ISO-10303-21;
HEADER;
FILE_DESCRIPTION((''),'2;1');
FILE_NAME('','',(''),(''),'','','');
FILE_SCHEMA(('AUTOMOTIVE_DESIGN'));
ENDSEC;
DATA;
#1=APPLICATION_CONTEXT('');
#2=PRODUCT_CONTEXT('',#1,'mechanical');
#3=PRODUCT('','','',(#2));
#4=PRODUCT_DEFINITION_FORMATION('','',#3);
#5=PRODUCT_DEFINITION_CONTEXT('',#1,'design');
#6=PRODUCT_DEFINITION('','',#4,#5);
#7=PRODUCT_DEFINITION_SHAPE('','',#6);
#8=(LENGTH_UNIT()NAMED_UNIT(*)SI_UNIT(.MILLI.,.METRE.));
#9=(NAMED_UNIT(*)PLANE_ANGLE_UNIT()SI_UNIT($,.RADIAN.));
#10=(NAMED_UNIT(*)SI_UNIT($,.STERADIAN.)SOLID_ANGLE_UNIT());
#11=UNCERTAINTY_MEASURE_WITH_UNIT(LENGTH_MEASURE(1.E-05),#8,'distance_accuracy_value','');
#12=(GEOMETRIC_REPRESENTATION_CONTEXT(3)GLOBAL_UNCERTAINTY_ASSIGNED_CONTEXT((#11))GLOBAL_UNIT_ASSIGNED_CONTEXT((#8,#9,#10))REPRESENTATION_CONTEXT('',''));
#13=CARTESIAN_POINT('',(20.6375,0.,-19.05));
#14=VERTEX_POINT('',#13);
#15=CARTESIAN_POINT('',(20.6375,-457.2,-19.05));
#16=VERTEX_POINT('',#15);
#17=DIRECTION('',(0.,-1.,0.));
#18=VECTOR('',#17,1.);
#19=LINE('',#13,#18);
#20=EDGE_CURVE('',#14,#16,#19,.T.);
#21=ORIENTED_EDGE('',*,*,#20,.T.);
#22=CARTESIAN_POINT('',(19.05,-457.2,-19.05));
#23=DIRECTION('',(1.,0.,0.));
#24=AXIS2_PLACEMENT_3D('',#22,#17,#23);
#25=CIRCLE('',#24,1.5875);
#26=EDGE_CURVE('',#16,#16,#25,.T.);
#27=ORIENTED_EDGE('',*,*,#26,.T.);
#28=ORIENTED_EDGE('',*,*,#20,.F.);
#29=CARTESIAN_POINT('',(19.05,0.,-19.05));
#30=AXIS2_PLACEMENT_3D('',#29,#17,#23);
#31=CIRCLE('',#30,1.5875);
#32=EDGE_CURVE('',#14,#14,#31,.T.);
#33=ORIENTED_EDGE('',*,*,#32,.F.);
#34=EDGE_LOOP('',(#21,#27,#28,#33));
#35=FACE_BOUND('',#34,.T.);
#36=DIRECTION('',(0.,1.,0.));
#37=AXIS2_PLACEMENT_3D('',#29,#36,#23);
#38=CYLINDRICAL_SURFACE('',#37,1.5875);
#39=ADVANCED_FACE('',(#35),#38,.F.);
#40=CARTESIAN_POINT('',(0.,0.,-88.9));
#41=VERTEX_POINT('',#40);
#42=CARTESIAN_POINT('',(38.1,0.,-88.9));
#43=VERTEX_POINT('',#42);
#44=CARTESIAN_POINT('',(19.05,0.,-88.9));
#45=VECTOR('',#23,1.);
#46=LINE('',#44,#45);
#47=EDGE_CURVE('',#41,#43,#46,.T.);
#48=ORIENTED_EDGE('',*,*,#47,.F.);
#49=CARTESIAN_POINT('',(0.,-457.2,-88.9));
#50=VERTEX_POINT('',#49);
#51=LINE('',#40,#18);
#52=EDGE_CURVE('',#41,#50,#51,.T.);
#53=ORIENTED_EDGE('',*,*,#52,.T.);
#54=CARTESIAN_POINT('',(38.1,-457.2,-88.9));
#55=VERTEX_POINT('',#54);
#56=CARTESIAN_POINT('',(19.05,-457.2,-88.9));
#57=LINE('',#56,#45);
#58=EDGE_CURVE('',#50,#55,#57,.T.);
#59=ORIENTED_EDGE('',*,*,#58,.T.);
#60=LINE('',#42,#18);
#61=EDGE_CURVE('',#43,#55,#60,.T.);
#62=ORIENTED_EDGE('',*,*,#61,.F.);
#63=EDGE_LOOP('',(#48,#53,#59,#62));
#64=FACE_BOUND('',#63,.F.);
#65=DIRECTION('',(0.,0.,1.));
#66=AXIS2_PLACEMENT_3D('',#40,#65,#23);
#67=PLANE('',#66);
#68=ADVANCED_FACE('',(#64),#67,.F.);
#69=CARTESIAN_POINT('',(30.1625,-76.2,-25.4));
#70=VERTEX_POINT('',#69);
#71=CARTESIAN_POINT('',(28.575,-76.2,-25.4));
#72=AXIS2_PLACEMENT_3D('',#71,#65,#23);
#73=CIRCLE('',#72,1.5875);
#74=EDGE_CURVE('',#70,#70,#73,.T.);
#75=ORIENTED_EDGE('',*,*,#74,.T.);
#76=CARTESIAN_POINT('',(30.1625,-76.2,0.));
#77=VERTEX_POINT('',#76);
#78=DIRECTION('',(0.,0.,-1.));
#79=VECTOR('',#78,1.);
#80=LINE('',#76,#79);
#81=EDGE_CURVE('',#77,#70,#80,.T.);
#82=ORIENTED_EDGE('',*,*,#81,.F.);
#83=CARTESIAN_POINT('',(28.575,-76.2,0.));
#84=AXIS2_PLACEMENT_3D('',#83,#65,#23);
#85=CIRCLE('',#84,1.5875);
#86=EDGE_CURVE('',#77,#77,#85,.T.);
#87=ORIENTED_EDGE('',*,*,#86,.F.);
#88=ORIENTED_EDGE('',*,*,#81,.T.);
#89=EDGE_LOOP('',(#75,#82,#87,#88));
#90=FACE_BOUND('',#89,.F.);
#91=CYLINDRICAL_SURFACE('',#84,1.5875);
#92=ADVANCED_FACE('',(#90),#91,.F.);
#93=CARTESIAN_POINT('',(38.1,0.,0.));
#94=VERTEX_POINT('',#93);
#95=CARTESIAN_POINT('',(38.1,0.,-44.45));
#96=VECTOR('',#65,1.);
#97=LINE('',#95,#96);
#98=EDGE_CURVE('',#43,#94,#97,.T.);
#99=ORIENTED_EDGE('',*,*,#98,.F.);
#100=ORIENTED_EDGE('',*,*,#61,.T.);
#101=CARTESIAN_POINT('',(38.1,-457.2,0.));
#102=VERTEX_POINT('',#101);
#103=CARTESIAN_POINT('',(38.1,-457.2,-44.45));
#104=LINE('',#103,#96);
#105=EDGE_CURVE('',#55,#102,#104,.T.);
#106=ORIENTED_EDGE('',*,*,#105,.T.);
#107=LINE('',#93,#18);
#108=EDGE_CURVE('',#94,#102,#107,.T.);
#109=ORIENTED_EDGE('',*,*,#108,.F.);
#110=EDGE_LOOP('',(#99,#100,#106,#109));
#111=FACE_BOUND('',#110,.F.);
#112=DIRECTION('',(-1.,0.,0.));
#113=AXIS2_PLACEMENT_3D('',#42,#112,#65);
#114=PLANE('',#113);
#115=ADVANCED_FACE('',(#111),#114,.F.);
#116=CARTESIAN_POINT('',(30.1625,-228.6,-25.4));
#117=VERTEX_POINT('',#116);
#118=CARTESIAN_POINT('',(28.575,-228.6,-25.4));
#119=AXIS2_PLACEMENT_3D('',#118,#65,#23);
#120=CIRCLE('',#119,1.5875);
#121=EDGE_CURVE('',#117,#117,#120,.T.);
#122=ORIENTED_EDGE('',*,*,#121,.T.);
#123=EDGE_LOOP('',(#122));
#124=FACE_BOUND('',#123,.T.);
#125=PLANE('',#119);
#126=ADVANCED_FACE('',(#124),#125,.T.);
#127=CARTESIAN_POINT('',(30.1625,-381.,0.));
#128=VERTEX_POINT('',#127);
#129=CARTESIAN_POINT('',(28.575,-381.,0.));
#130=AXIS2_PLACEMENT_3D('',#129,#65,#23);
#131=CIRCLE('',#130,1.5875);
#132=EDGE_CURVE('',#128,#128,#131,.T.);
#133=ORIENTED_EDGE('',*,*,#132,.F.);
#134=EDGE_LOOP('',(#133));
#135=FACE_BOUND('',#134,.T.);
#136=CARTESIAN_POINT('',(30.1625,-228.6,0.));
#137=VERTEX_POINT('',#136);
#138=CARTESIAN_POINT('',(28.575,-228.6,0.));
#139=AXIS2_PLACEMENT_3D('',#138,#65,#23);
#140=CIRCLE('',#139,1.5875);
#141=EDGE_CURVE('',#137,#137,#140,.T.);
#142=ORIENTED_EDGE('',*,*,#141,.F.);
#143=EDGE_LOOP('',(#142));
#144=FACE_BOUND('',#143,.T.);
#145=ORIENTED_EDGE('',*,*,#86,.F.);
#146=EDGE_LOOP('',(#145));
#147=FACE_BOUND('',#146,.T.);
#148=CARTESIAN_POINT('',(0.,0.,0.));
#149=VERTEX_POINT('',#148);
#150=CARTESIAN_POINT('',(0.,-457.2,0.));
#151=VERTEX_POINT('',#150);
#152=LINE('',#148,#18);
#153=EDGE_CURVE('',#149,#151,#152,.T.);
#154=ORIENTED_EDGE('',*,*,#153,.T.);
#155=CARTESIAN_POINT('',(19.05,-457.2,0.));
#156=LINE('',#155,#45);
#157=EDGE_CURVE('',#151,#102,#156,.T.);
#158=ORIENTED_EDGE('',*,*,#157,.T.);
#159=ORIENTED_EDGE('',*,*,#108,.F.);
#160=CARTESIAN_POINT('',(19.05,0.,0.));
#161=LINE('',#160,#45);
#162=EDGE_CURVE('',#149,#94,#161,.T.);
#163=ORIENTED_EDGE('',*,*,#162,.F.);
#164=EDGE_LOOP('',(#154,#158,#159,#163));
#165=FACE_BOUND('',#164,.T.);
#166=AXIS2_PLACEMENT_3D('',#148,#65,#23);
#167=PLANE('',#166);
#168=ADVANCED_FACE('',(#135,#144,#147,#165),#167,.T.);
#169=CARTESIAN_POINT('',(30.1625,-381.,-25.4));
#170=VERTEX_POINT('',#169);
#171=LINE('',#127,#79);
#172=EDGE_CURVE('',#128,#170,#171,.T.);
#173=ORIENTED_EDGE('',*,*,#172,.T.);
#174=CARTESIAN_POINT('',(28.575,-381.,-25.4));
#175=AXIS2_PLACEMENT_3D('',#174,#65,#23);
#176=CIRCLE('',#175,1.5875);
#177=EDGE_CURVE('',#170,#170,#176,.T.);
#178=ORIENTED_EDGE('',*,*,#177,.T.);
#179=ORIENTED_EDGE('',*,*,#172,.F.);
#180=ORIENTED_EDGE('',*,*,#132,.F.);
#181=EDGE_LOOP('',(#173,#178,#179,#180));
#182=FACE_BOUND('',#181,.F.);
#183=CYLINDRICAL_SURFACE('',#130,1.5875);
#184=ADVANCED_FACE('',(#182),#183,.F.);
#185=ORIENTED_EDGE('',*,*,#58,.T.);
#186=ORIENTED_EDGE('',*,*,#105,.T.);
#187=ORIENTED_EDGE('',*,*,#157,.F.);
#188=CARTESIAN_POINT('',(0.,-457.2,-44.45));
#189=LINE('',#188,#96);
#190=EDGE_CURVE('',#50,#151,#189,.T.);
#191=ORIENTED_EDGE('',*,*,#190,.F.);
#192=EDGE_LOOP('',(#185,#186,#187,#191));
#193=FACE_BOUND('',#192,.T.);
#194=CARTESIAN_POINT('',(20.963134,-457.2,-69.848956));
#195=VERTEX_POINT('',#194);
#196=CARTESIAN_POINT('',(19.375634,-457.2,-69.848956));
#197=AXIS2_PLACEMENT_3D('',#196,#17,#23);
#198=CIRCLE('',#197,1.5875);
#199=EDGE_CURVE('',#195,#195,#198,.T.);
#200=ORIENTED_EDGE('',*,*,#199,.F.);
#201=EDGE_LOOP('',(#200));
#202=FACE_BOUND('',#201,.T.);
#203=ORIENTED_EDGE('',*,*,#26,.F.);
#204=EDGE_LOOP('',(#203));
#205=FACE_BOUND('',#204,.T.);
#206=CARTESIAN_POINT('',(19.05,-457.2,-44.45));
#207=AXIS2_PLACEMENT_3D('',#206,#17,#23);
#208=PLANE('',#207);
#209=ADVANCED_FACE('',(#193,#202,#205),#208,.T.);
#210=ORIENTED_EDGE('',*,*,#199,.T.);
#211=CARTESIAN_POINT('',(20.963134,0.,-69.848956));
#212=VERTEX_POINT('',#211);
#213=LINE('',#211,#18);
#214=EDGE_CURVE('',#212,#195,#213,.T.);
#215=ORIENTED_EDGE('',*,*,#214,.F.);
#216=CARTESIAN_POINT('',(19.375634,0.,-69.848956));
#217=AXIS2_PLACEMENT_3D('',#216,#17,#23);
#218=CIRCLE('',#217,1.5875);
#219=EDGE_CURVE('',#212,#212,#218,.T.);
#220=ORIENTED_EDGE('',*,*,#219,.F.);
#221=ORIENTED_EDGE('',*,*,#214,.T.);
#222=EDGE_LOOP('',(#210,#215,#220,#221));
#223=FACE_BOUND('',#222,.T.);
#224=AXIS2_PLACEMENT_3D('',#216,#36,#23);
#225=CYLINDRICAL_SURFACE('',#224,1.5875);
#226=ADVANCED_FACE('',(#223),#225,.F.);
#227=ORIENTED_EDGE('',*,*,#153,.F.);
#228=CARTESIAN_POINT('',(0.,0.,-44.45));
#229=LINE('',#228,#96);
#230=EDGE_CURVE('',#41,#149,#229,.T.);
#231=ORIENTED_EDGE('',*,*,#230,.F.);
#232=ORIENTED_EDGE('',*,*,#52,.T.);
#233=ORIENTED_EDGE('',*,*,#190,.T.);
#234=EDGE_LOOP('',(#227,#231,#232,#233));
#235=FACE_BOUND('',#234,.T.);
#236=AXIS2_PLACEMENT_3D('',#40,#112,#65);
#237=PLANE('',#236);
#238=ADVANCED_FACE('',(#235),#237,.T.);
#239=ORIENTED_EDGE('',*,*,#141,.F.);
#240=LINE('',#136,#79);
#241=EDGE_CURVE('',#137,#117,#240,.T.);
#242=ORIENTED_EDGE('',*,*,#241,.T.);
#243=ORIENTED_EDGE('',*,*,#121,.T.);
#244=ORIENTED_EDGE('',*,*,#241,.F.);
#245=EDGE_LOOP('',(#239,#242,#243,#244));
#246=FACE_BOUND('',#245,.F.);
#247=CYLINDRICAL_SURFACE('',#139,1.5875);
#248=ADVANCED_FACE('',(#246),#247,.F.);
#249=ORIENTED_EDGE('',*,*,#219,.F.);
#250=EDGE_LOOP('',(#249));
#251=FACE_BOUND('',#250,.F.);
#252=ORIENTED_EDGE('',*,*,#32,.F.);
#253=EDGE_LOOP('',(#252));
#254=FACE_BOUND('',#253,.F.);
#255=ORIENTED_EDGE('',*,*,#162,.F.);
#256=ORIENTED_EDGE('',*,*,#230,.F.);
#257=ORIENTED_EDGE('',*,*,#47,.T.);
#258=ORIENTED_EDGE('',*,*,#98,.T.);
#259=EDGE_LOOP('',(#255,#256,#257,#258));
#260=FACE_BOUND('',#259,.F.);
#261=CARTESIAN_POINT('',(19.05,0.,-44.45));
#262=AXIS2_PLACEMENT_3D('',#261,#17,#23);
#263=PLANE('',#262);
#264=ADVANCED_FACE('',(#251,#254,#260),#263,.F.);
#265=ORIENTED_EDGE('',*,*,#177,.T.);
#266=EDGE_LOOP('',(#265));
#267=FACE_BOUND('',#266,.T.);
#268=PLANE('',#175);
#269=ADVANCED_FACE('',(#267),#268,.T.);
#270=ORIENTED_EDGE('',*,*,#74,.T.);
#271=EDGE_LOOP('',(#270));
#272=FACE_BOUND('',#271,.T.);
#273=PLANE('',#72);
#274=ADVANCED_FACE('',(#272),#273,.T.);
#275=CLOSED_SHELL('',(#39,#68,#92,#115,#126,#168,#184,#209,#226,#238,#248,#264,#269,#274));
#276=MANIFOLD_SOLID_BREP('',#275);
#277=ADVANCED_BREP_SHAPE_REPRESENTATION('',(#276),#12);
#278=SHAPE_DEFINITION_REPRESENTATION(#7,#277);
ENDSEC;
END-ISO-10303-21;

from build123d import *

# Parameters (mm, degrees)
F0_W     = 38.1
F0_H     = 88.9
F1_DEPTH = 457.2
F2_R     = 1.5875
F3_DEPTH = 457.2
F4_R     = 1.5875
F5_DEPTH = 25.4


with BuildPart() as f1:
    # F0 (on Front) → F1 (new body)
    with BuildSketch(Plane.XZ):
        with Locations((19.05, -44.45)):
            Rectangle(F0_W, F0_H)
    extrude(amount=F1_DEPTH)

    # F2 (on Front) → F3 (cut)
    with BuildSketch(Plane.XZ):
        with Locations((19.05, -19.05)):
            Circle(F2_R)
        with Locations((19.375634, -69.848956)):
            Circle(F2_R)
    extrude(amount=F3_DEPTH, mode=Mode.SUBTRACT)

    # F4 (on Top) → F5 (cut)
    with BuildSketch(Plane.XY):
        with Locations((28.575, -76.2)):
            Circle(F4_R)
        with Locations((28.575, -228.6)):
            Circle(F4_R)
        with Locations((28.575, -381)):
            Circle(F4_R)
    extrude(amount=-F5_DEPTH, mode=Mode.SUBTRACT)


solid = f1.part
